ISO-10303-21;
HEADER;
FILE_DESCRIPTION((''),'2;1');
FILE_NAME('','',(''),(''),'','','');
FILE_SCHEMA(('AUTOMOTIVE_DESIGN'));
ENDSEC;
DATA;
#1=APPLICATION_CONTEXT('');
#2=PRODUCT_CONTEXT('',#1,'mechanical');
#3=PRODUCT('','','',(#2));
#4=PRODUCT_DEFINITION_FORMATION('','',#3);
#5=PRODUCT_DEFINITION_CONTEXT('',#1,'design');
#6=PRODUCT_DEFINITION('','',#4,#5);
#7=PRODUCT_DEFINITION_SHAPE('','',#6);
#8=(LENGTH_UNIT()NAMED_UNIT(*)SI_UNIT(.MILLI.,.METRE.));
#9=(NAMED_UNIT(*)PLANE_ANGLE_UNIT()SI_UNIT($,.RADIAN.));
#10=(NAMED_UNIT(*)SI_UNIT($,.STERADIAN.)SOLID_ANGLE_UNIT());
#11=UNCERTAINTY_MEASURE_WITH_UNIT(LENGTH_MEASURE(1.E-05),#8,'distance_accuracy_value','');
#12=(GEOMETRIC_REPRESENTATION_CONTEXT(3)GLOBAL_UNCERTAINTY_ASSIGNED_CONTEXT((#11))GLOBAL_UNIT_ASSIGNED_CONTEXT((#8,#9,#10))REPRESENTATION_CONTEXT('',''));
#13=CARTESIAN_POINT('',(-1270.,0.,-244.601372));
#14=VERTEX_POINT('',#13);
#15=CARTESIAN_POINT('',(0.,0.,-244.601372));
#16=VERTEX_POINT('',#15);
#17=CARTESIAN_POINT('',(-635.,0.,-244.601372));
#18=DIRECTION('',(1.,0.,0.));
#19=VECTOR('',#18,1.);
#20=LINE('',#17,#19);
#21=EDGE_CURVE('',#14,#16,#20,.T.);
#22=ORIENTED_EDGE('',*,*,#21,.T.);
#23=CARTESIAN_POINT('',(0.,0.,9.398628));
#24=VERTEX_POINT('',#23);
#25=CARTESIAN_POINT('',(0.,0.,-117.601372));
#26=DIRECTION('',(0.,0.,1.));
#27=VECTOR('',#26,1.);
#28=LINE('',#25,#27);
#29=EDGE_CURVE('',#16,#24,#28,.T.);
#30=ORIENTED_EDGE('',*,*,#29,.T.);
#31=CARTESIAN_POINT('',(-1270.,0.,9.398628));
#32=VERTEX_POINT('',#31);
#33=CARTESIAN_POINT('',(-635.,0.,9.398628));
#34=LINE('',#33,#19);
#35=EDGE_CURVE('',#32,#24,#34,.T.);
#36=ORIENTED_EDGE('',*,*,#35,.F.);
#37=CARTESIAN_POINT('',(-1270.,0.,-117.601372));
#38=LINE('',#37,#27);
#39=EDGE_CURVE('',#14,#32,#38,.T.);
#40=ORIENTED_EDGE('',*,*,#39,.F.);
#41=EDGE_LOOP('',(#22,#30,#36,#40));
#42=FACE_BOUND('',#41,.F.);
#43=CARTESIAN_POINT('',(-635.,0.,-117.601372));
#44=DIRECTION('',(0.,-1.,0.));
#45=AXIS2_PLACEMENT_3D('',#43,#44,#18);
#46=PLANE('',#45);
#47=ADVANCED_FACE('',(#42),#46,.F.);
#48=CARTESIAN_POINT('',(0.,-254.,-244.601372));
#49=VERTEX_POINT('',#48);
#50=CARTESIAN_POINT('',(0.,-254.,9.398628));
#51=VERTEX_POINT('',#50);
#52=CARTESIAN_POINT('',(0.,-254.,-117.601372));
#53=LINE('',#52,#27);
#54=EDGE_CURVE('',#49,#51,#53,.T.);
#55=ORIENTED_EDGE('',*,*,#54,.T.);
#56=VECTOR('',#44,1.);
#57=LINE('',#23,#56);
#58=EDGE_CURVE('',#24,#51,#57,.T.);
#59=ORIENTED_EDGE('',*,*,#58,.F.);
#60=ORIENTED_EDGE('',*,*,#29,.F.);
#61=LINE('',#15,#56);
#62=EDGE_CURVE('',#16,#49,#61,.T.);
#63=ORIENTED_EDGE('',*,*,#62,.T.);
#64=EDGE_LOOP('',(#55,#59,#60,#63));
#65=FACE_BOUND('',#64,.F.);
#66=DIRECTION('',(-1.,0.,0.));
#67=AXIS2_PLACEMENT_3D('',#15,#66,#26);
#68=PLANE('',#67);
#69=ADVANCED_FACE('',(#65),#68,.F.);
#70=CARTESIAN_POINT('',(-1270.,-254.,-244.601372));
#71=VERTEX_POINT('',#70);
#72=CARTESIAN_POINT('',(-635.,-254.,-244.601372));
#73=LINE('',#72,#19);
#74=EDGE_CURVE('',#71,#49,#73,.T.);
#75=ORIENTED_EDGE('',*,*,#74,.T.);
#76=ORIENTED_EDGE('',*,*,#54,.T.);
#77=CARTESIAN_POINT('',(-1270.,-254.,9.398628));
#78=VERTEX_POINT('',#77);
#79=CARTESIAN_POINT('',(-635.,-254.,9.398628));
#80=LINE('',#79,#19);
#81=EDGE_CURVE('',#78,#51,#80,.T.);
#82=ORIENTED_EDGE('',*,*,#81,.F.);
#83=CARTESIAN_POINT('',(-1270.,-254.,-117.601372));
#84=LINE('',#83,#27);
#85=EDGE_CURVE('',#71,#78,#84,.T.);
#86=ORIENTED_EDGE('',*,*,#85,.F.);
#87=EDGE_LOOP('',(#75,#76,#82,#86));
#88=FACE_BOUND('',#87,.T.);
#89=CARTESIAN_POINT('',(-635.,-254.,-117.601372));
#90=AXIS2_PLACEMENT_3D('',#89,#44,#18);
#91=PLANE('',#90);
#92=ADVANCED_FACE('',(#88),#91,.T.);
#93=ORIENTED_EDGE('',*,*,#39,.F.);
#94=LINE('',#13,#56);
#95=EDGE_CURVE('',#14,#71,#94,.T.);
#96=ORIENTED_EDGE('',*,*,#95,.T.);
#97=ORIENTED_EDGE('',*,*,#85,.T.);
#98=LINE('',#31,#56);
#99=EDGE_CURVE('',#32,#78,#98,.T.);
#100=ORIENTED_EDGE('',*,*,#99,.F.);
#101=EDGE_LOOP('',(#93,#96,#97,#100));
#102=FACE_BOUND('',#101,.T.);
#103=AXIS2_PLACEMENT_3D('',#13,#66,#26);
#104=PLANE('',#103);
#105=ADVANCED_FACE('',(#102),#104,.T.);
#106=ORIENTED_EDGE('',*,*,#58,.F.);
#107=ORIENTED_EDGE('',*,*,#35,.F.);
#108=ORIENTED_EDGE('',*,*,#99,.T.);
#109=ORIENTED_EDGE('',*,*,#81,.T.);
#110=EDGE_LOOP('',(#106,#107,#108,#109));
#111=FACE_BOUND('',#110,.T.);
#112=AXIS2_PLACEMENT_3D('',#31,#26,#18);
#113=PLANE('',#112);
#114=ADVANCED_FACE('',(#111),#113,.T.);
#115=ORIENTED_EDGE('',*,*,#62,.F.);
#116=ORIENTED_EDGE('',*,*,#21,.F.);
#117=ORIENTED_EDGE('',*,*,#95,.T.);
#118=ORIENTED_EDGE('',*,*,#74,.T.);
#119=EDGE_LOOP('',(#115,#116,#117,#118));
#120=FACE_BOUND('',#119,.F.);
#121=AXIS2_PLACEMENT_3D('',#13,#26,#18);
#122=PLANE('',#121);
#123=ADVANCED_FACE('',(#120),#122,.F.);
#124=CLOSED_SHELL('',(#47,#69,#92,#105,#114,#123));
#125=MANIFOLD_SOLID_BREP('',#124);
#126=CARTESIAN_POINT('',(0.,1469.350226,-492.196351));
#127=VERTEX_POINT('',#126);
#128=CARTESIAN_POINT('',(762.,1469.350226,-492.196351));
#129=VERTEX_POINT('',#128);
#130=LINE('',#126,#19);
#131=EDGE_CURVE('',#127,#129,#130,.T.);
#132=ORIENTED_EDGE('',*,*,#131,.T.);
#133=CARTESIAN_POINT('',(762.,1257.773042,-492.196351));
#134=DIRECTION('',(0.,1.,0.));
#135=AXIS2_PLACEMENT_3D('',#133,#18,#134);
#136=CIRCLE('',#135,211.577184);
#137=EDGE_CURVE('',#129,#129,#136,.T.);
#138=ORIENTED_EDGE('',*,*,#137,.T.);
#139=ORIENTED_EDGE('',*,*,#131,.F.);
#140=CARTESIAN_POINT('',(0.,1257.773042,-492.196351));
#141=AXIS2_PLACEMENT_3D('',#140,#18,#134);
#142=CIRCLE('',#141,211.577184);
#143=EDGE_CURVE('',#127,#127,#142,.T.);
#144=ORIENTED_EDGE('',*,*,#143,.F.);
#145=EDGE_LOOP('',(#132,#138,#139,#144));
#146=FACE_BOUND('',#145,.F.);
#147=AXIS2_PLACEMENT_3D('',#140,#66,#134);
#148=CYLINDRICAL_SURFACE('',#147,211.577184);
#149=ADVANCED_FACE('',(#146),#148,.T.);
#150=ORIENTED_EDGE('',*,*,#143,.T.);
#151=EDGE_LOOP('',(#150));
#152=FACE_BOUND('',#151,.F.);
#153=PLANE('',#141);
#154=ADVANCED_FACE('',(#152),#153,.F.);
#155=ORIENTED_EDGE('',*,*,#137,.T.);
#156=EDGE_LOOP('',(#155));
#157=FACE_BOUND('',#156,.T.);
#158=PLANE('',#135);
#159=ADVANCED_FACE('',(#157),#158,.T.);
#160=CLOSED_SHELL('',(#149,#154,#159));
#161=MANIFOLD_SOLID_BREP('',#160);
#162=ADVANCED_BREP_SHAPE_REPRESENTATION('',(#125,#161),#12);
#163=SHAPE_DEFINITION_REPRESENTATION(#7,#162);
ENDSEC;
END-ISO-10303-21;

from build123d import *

# Parameters (mm, degrees)
F0_W     = 1270
F0_H     = 254
F1_DEPTH = 254
F2_R     = 211.577184
F3_DEPTH = 762


with BuildPart() as f1:
    # F0 (on Front) → F1 (new body)
    with BuildSketch(Plane.XZ):
        with Locations((-635, -117.601372)):
            Rectangle(F0_W, F0_H)
    extrude(amount=F1_DEPTH)


with BuildPart() as f3:
    # F2 (on Right) → F3 (new body)
    with BuildSketch(Plane.YZ):
        with Locations((1257.773042, -492.196351)):
            Circle(F2_R)
    extrude(amount=F3_DEPTH)


solid = Compound([f1.part, f3.part])
